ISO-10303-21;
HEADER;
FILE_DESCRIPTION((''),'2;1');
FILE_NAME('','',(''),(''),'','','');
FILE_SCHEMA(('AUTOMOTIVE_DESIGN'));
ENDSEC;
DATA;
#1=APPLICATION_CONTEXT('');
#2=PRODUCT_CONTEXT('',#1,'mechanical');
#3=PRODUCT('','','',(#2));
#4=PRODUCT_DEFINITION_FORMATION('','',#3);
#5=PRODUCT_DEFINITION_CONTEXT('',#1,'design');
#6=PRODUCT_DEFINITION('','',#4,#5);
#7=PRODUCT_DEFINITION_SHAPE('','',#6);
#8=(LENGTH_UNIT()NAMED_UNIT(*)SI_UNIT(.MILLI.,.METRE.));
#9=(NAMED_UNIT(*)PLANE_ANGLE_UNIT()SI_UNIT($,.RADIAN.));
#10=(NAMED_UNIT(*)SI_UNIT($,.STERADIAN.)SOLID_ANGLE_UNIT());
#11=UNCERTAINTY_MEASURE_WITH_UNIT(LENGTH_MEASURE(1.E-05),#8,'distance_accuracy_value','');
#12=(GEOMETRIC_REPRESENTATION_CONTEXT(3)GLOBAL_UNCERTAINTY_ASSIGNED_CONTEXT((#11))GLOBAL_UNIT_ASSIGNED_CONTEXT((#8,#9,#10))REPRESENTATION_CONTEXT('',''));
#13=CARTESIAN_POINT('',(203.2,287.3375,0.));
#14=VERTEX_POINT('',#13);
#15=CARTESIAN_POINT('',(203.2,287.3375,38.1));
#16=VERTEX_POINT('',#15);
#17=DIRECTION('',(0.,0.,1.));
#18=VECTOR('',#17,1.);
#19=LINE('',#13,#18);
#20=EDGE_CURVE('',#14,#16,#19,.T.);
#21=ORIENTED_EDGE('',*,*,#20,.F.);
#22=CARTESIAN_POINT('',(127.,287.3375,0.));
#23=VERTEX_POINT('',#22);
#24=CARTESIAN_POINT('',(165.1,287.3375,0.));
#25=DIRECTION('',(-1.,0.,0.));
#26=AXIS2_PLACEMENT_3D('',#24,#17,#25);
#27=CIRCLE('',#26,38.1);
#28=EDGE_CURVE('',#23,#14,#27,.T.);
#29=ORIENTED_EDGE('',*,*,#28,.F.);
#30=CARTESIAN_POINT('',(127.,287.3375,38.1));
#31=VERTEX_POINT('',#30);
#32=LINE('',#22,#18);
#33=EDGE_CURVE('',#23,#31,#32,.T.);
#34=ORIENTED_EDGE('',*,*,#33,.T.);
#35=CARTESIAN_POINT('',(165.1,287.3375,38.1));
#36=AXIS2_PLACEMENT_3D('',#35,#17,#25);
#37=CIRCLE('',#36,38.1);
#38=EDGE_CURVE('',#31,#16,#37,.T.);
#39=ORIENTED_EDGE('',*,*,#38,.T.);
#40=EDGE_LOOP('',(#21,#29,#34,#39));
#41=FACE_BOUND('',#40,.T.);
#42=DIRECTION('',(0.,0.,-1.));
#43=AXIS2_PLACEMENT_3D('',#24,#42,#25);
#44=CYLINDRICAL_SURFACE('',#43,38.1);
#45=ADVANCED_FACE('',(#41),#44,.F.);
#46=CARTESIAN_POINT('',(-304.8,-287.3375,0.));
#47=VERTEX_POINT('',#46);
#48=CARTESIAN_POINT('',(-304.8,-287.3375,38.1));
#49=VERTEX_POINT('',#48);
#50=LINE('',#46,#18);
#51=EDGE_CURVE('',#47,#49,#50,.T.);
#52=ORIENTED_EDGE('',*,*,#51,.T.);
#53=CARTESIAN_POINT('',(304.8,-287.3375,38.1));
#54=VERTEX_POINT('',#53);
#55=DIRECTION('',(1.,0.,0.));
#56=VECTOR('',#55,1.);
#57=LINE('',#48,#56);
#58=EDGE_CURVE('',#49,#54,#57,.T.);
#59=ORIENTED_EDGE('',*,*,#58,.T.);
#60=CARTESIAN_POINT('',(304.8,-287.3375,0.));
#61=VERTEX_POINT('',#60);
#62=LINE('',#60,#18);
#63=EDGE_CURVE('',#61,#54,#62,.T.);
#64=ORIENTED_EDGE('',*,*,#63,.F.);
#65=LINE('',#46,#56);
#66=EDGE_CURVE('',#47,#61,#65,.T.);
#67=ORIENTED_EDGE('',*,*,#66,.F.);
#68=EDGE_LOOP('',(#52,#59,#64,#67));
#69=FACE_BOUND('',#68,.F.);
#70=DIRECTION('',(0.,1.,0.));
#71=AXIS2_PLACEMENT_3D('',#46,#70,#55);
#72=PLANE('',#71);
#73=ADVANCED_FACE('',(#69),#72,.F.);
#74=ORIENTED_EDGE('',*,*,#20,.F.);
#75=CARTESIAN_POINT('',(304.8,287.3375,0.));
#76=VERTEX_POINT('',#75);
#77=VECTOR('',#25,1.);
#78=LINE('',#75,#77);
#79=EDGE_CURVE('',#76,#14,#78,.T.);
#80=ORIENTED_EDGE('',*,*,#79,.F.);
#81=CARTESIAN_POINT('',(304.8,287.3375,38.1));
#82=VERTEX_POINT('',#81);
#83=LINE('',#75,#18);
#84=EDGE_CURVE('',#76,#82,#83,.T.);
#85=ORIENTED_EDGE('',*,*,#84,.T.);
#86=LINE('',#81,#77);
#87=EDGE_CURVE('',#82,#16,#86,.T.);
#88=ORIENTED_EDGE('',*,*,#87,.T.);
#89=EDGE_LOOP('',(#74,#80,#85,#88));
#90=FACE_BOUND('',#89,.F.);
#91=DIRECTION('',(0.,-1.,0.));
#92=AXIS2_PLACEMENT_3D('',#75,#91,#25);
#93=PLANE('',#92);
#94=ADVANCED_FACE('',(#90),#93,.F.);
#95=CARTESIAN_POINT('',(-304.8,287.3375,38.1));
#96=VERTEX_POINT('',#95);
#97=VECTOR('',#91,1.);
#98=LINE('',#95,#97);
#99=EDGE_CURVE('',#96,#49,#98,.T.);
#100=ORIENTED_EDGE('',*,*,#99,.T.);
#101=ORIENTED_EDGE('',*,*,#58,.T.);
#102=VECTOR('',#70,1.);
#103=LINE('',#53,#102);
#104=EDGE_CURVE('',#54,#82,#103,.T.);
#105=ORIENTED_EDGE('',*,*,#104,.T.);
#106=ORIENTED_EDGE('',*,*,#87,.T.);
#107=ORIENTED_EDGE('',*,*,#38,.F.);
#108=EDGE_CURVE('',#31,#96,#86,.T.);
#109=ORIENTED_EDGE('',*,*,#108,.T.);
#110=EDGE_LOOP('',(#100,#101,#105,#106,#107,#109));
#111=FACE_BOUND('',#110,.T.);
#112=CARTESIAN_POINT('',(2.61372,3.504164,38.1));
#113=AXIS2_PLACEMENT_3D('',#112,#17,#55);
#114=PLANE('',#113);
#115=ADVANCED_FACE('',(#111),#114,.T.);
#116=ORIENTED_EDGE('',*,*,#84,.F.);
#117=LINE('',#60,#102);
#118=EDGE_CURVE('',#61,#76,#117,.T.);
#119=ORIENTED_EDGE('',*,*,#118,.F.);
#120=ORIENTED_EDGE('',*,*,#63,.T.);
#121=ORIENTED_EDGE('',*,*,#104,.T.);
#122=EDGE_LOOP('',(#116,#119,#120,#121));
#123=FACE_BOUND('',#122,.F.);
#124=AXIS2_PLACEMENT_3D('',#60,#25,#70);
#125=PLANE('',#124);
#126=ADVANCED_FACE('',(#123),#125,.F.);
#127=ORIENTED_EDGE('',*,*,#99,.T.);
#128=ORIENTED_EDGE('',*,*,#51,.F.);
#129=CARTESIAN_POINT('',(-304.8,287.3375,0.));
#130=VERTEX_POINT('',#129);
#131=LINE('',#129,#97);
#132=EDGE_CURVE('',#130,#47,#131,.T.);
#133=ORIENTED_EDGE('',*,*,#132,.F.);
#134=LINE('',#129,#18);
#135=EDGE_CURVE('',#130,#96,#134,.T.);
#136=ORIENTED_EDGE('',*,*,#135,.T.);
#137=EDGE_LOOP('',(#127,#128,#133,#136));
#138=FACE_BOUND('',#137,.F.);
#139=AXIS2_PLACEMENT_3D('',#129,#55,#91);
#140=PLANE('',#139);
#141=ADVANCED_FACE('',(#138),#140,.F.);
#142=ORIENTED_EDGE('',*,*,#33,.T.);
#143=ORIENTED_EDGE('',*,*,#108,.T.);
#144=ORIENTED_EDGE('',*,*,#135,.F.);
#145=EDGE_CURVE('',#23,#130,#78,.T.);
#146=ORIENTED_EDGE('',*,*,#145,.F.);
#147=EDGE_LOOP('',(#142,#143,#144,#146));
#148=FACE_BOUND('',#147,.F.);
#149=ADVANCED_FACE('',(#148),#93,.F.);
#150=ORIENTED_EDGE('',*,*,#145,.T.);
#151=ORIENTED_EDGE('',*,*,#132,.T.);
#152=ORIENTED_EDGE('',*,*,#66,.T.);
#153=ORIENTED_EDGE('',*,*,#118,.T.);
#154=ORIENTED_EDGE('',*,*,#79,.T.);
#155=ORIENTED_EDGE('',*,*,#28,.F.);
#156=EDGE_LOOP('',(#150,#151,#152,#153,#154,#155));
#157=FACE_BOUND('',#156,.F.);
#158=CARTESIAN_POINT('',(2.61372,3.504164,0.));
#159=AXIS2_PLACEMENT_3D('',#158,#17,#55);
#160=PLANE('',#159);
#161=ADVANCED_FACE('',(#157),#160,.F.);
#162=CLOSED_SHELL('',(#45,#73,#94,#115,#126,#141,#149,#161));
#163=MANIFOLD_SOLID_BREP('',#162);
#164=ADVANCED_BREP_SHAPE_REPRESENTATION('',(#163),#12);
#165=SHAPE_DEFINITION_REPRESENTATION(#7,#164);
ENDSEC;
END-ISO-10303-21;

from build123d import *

# Parameters (mm, degrees)
F1_DEPTH = 38.1
F2_DEPTH = 38.1


with BuildPart() as f1:
    # F0 (on Top) → F1 (new body)
    with BuildSketch(Plane.XY):
        with BuildLine():
            Line((304.8, -287.3375), (304.8, 287.3375))
            Line((304.8, 287.3375), (203.2, 287.3375))
            ThreePointArc((203.2, 287.3375), (165.1, 249.2375), (127, 287.3375))
            Line((127, 287.3375), (-304.8, 287.3375))
            Line((-304.8, 287.3375), (-304.8, -287.3375))
            Line((-304.8, -287.3375), (304.8, -287.3375))
        make_face()
        with BuildLine():
            ThreePointArc((127, 287.3375), (165.1, 249.2375), (203.2, 287.3375))
            Line((203.2, 287.3375), (127, 287.3375))
        make_face()
    extrude(amount=F1_DEPTH)

    # F0 (on Top) → F2 (cut)
    with BuildSketch(Plane.XY):
        with BuildLine():
            ThreePointArc((127, 287.3375), (165.1, 249.2375), (203.2, 287.3375))
            Line((203.2, 287.3375), (127, 287.3375))
        make_face()
    extrude(amount=F2_DEPTH, mode=Mode.SUBTRACT)


solid = f1.part
